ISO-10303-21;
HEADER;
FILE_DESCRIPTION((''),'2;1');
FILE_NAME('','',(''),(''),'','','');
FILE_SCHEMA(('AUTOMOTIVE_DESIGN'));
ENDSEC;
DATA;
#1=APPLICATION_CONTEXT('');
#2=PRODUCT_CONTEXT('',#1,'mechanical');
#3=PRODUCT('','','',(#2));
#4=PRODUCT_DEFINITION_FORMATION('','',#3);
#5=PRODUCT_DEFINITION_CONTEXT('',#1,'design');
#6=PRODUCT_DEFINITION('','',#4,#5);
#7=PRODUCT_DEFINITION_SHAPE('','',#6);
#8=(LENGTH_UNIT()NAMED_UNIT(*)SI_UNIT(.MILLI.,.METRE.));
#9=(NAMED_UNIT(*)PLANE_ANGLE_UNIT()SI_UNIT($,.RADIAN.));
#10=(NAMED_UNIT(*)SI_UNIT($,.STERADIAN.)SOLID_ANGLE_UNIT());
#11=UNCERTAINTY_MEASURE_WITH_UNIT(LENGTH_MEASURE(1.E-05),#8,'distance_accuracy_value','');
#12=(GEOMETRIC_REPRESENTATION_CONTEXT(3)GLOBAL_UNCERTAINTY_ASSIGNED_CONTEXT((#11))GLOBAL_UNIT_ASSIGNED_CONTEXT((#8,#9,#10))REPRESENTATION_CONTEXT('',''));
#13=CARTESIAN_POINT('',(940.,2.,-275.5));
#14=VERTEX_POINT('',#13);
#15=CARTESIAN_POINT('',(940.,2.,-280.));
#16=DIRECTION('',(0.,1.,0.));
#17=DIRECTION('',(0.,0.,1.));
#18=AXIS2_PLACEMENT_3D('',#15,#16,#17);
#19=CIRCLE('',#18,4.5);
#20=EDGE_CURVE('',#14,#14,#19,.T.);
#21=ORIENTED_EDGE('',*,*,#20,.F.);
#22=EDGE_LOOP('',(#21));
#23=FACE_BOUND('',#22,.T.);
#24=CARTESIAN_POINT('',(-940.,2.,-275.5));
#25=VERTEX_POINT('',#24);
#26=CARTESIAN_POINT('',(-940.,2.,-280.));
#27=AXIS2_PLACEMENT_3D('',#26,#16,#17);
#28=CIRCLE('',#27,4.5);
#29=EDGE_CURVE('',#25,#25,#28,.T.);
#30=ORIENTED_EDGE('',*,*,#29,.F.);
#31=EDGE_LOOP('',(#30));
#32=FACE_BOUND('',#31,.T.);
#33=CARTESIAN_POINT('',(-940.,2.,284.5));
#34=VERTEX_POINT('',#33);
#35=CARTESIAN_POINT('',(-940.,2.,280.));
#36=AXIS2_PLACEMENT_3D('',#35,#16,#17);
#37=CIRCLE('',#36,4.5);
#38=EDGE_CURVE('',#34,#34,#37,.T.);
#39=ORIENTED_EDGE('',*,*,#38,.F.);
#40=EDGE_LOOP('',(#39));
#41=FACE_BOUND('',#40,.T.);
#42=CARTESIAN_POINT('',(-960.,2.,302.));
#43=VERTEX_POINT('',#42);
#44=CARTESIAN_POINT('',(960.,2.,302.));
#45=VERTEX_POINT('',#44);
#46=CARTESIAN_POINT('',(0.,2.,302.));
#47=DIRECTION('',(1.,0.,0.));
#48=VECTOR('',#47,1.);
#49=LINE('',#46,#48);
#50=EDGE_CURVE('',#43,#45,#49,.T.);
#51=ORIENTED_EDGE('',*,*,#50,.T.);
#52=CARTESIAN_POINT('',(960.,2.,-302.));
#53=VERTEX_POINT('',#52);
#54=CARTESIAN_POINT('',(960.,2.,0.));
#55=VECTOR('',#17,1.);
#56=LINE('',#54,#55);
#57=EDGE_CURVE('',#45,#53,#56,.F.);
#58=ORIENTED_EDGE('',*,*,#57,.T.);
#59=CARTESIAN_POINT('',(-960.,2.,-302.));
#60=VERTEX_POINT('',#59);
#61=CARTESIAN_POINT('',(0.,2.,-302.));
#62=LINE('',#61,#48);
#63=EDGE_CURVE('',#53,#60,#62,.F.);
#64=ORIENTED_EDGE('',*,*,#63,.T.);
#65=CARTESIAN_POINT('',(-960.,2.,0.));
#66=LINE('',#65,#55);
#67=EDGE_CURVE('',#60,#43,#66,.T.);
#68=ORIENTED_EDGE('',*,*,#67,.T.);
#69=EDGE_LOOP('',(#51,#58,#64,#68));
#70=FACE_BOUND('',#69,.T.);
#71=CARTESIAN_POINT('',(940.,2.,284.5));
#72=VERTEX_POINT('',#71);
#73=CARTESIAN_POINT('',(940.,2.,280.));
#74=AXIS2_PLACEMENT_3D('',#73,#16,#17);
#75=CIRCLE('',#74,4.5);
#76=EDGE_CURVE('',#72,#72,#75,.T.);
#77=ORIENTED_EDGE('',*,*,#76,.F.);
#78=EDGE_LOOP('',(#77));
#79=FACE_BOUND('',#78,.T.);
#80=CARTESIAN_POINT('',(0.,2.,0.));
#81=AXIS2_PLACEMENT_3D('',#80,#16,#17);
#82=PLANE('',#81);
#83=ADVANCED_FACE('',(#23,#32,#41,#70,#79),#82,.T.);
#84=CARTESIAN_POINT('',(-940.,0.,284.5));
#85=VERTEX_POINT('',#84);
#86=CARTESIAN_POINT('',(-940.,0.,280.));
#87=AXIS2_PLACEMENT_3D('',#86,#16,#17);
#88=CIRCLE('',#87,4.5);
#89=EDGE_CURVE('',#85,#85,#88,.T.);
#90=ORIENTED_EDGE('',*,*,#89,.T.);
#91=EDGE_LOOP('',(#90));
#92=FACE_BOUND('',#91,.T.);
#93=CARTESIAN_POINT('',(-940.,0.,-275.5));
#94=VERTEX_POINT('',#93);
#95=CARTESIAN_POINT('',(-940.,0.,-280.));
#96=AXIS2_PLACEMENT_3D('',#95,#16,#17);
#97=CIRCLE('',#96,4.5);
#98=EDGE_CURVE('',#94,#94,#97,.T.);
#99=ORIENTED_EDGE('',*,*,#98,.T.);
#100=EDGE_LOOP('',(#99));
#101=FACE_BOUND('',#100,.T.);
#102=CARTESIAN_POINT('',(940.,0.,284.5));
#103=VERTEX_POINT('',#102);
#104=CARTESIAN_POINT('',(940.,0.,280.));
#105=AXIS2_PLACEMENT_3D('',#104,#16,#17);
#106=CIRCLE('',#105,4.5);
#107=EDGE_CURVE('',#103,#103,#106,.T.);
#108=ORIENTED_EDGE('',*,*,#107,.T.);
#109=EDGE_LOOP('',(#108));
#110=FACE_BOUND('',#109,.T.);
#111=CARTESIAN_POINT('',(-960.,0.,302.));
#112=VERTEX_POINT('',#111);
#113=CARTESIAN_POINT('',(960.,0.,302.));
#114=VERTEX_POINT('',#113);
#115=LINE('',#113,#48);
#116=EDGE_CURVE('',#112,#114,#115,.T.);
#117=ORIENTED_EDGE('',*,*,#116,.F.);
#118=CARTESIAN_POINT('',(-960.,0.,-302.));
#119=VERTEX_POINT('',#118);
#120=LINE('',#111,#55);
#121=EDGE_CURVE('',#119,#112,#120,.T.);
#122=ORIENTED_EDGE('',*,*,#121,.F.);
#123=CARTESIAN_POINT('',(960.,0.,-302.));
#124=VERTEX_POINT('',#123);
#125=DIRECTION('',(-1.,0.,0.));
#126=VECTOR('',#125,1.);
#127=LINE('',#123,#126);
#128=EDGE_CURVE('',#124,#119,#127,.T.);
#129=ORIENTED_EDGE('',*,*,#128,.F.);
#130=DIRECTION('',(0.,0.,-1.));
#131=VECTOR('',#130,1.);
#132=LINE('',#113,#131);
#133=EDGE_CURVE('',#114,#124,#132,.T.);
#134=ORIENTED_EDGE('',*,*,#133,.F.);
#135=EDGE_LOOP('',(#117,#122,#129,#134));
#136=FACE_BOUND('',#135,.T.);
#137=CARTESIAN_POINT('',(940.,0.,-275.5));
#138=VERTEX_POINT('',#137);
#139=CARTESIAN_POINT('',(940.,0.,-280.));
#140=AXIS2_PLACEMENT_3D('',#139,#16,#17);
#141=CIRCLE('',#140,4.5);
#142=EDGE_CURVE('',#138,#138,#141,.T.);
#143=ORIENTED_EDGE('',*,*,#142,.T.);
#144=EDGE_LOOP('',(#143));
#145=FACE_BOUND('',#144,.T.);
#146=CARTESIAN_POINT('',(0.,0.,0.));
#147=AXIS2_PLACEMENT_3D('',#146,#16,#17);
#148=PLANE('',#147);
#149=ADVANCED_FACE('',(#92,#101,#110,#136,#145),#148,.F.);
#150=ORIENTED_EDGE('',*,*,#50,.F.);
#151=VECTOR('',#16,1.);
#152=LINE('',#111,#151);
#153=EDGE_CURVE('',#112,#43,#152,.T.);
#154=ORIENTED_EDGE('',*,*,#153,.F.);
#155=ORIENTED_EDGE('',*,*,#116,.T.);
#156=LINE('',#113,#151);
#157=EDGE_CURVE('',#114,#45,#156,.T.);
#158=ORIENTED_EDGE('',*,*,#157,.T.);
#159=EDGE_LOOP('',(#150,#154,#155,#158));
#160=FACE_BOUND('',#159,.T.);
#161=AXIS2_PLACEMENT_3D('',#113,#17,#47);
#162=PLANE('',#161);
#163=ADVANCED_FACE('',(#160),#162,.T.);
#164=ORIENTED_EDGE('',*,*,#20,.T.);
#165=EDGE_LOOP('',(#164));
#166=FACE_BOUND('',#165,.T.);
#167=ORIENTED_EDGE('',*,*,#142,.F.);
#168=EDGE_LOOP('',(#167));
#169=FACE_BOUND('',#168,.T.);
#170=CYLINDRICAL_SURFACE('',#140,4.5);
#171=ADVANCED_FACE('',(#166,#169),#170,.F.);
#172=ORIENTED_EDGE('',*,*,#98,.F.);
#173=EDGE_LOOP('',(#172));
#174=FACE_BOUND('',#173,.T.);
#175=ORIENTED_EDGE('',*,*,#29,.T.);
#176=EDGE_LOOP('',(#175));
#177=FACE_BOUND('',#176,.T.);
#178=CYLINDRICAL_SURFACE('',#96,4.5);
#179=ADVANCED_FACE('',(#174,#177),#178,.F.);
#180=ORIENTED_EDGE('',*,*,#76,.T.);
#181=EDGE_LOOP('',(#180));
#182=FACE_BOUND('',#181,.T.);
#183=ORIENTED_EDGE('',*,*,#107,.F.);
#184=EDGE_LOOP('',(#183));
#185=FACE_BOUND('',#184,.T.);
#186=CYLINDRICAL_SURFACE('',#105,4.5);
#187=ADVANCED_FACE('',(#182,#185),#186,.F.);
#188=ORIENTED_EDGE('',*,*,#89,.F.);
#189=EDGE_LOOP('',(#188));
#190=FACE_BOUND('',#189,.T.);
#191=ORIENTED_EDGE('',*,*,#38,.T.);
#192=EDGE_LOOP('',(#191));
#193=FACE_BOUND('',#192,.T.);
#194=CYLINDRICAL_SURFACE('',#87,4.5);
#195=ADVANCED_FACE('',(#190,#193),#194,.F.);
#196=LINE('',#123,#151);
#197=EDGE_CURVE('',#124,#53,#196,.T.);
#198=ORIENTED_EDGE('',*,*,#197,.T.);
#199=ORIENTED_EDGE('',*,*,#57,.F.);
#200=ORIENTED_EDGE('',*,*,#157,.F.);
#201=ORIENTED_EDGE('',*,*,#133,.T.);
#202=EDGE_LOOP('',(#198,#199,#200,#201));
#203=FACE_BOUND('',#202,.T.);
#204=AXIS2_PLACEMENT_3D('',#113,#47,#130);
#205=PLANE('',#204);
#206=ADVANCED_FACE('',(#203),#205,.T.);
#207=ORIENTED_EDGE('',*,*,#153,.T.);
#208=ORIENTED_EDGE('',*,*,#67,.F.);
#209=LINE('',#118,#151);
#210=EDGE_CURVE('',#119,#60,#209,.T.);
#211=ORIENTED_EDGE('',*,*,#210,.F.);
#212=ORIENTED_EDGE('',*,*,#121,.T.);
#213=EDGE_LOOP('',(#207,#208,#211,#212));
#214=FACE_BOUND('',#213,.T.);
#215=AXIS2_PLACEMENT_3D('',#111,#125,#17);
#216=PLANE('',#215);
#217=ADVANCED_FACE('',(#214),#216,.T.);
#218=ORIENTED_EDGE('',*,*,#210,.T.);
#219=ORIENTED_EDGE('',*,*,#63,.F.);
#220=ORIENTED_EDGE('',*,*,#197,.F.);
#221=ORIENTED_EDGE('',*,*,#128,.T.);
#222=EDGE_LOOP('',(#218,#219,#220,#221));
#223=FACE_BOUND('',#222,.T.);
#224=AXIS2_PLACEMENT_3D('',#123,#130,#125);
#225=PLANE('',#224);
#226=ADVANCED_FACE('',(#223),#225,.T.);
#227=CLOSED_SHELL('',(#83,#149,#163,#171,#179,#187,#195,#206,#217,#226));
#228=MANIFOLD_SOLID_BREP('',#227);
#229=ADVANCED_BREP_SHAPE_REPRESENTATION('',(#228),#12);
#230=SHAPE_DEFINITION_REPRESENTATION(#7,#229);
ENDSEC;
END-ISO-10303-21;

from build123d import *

# Parameters (mm, degrees)
SKETCH1_W   = 1920
SKETCH1_H   = 604
SKETCH1_R   = 4.5
THICKEN1_T1 = 2


with BuildPart() as body_1:
    # Sketch1 → Surface-Plane1: a flat surface bounded by the sketch
    with BuildSketch(Plane(origin=(0, 0, 0), x_dir=(1, 0, 0), z_dir=(0, 1, 0)), mode=Mode.PRIVATE) as surface_plane1_1_region:
        Rectangle(SKETCH1_W, SKETCH1_H)
        with Locations(Location((-940, 280, 0), (0, 0, 270))):
            Circle(SKETCH1_R, mode=Mode.SUBTRACT)
        with Locations(Location((940, 280, 0), (0, 0, 270))):
            Circle(SKETCH1_R, mode=Mode.SUBTRACT)
        with Locations(Location((940, -280, 0), (0, 0, 270))):
            Circle(SKETCH1_R, mode=Mode.SUBTRACT)
        with Locations(Location((-940, -280, 0), (0, 0, 270))):
            Circle(SKETCH1_R, mode=Mode.SUBTRACT)
    surface_plane1_1 = surface_plane1_1_region.sketch.faces()[0]
    add(Solid.thicken(surface_plane1_1, THICKEN1_T1))


solid = body_1.part
